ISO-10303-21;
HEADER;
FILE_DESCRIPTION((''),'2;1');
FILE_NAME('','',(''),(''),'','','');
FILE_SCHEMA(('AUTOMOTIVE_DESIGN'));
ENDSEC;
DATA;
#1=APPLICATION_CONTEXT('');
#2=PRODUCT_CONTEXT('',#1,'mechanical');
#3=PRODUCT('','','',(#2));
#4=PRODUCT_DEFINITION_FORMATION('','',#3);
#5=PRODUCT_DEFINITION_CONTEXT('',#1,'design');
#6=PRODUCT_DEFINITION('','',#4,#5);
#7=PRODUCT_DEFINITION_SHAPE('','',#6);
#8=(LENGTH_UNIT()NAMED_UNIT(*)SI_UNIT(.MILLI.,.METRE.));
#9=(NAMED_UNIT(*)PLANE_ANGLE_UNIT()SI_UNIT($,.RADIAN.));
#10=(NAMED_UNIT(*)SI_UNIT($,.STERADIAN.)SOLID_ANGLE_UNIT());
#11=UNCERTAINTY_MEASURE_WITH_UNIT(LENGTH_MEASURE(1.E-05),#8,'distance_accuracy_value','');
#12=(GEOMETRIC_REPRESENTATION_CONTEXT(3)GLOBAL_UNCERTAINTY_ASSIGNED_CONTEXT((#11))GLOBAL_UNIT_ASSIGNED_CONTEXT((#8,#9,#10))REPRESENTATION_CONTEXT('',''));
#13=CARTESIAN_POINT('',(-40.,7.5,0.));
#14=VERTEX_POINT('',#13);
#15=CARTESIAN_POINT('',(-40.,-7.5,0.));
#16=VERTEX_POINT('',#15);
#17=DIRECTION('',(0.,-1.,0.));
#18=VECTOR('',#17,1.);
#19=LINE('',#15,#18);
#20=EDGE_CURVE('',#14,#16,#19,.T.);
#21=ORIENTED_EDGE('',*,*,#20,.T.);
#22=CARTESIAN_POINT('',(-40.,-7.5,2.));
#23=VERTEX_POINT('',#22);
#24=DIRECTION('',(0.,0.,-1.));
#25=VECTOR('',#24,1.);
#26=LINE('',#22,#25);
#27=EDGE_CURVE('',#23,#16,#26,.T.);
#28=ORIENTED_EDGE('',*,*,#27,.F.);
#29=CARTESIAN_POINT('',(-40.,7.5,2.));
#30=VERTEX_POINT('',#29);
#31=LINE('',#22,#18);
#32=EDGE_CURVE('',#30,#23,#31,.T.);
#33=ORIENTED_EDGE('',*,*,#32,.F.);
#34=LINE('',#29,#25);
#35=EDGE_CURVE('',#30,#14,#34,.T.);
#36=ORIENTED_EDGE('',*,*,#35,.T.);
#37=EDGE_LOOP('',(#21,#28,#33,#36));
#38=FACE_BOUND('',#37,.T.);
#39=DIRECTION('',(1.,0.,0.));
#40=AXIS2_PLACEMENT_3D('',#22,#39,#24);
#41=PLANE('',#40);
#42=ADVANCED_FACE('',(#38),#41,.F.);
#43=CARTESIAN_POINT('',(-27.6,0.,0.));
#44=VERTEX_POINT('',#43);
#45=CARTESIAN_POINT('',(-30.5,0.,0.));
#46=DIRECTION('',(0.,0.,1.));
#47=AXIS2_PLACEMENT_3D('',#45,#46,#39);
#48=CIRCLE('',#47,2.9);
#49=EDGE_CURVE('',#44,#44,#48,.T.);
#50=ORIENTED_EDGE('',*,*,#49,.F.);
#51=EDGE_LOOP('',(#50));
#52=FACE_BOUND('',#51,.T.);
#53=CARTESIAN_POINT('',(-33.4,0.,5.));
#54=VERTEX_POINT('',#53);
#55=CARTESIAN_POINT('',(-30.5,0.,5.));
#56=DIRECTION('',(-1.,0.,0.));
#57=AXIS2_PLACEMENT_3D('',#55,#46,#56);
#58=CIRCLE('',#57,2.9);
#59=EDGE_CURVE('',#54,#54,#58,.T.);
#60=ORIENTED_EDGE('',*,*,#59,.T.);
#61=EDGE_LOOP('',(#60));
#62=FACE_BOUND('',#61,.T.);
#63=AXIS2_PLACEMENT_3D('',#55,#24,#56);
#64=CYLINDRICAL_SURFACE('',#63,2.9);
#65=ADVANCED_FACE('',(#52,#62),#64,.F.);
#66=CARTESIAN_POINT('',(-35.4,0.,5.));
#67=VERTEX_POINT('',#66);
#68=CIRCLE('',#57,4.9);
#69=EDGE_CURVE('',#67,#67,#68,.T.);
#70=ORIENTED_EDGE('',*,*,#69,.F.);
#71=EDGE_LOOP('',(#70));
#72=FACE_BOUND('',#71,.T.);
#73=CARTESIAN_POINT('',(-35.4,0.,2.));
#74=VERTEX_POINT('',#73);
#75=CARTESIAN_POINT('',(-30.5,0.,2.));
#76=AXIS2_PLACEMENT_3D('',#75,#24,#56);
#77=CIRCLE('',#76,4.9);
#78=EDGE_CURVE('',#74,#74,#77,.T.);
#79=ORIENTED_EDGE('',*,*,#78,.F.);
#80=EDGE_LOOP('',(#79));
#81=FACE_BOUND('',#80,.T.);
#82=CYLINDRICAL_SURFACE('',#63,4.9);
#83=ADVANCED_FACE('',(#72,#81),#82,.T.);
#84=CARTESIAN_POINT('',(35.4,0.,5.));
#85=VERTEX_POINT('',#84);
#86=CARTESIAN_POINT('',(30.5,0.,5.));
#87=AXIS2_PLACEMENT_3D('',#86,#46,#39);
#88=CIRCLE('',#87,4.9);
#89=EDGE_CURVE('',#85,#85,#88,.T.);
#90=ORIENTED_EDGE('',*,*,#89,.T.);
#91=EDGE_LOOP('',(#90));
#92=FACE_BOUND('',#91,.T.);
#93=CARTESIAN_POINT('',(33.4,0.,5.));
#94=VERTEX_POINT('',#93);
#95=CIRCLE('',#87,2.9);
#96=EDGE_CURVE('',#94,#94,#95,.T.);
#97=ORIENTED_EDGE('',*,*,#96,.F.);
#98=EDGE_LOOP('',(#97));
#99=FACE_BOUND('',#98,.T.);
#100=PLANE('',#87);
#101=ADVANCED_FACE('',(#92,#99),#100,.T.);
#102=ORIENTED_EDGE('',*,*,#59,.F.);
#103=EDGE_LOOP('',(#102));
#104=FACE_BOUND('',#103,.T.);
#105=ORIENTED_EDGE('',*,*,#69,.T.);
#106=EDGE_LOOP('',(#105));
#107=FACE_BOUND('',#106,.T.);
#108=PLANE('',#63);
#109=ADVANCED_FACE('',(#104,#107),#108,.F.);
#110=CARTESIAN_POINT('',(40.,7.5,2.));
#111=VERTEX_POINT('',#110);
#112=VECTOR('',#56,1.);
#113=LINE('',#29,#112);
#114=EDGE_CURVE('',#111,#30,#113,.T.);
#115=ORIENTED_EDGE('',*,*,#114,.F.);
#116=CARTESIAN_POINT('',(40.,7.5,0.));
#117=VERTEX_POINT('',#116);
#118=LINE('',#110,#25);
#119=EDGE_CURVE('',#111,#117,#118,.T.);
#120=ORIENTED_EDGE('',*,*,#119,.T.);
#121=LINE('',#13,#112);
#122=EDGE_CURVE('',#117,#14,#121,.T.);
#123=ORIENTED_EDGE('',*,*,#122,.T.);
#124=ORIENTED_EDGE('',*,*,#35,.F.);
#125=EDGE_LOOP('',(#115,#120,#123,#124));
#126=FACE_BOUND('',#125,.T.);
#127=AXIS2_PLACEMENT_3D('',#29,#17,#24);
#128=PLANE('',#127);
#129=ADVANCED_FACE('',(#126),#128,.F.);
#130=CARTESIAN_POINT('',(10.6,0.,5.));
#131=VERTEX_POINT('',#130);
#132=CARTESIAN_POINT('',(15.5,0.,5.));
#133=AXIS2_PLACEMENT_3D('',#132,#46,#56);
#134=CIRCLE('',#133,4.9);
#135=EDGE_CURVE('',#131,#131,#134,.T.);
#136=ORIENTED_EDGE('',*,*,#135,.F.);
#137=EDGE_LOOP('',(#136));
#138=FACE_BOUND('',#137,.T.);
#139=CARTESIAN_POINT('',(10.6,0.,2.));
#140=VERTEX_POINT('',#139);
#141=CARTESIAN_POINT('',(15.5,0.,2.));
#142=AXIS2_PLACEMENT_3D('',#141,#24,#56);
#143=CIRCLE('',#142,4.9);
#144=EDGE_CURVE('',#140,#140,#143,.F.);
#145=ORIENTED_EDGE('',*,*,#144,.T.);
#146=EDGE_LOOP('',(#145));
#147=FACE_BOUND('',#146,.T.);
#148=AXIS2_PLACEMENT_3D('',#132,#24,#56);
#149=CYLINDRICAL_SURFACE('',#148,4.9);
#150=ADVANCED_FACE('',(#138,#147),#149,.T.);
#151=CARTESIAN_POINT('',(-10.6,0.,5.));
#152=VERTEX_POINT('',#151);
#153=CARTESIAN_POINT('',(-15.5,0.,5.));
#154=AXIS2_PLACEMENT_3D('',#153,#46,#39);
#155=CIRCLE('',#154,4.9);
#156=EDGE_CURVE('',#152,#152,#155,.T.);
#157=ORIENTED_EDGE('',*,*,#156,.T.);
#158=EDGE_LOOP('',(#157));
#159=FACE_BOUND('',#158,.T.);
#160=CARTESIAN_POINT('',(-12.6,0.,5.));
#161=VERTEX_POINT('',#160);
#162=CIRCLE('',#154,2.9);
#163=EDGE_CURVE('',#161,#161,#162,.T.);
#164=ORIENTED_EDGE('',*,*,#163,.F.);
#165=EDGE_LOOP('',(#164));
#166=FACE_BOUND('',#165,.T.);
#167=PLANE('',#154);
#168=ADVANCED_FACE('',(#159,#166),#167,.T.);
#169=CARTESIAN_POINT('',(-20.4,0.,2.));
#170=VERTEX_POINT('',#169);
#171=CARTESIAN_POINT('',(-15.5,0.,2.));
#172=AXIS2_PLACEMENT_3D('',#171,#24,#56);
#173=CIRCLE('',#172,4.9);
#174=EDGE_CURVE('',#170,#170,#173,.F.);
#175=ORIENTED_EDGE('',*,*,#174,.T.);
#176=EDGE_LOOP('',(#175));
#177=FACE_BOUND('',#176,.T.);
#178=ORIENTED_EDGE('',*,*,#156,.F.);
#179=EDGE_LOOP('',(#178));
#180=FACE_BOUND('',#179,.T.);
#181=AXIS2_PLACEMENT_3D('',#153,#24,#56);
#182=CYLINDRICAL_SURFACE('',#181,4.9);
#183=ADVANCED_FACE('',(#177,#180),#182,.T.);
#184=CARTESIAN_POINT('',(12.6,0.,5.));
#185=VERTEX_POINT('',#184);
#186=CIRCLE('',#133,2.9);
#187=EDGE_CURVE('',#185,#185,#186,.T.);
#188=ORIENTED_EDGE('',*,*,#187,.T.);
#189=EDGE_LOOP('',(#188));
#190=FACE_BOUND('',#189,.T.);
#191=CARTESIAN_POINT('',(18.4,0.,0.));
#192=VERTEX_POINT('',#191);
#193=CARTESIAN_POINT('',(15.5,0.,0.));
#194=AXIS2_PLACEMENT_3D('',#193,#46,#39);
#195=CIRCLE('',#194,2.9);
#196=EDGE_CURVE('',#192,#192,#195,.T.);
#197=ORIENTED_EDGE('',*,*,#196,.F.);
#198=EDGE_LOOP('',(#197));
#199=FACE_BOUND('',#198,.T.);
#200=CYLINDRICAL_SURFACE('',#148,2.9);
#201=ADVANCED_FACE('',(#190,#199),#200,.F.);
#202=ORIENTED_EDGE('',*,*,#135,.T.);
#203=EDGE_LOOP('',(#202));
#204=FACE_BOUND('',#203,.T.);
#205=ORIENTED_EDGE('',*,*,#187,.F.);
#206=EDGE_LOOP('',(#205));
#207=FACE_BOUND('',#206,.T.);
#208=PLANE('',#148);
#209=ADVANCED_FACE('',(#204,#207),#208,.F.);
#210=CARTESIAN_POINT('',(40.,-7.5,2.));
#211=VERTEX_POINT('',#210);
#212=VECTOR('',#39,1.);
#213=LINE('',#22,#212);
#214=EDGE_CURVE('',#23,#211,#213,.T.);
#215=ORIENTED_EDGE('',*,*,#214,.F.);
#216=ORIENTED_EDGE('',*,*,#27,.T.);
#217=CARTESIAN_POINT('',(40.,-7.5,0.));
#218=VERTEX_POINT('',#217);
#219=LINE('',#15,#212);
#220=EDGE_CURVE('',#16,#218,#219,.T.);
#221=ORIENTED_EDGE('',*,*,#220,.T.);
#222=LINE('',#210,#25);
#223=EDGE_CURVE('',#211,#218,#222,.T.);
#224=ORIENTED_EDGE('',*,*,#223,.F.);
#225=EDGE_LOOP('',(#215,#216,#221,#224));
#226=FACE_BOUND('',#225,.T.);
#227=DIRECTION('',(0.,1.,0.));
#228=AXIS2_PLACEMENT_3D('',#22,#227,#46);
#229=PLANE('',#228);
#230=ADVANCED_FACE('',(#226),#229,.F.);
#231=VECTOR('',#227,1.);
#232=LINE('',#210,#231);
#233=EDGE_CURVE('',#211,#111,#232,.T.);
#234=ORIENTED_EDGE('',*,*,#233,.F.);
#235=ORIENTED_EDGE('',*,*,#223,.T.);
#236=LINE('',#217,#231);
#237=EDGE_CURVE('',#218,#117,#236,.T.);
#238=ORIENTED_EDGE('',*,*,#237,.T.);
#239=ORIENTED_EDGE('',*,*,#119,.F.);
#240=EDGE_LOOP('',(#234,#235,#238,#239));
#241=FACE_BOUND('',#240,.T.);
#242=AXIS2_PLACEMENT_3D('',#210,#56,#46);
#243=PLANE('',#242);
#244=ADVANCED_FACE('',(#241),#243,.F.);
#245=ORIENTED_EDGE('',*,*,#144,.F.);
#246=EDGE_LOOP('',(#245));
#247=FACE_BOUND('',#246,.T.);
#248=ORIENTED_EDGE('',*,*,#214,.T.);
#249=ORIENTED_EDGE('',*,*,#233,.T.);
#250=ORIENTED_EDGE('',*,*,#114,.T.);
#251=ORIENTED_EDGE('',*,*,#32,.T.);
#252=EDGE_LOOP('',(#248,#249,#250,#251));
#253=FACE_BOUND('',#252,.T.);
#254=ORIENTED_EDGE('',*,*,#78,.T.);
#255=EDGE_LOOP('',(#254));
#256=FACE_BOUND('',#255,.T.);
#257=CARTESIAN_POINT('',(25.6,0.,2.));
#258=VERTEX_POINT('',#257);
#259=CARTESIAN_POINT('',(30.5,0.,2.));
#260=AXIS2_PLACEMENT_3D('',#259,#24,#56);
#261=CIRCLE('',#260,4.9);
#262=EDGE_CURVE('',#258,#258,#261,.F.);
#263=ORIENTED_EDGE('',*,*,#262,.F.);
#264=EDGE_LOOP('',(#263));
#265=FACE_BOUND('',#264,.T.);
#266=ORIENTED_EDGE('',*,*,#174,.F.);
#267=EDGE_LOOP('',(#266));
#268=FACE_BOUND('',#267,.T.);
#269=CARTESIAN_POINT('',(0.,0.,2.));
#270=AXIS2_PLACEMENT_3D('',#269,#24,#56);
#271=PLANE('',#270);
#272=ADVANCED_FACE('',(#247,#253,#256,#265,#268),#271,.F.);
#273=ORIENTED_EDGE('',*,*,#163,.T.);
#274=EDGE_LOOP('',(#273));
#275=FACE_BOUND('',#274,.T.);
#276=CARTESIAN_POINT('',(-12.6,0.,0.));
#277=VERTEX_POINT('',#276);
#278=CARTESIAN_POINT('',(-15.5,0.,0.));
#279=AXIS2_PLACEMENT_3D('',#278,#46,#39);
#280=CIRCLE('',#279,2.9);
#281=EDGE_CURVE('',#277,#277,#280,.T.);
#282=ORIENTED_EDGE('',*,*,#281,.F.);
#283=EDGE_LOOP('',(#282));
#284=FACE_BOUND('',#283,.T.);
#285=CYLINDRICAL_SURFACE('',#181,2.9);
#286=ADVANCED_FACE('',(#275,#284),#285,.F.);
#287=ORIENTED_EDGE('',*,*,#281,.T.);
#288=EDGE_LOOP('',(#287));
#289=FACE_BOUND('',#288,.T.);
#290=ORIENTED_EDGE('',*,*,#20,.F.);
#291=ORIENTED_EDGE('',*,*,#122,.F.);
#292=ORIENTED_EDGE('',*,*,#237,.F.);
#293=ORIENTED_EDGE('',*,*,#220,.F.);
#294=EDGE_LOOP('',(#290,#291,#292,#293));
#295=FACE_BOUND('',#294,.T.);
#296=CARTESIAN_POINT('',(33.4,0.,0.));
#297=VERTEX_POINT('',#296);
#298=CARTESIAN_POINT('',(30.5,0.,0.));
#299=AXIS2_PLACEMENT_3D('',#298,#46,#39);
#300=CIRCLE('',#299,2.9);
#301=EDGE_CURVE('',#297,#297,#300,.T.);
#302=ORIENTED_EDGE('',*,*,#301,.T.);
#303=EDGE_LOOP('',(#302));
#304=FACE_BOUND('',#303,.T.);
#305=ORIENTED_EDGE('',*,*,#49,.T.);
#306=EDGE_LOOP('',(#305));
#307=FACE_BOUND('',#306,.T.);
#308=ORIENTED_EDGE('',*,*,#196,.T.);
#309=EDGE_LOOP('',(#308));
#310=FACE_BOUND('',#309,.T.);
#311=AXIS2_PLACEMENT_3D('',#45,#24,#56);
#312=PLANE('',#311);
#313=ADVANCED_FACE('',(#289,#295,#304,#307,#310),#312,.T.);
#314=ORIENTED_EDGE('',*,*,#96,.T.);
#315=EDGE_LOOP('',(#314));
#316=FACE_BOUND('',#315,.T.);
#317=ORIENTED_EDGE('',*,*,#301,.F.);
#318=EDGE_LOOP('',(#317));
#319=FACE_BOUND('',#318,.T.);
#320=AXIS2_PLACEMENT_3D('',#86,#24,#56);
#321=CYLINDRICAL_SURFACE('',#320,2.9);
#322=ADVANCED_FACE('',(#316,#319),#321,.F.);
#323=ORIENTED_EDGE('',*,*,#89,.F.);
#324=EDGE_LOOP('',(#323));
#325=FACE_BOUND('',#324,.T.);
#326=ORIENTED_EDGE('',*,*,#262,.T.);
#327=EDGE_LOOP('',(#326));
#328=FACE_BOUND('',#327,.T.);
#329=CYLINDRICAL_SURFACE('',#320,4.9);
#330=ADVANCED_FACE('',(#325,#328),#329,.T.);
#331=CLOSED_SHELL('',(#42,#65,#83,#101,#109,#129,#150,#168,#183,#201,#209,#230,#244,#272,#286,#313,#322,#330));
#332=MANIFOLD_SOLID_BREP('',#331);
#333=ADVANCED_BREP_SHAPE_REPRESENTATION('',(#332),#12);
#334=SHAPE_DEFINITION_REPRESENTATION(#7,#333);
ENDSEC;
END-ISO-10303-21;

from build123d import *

# Parameters (mm, degrees)
SKETCH1_R             = 4.9
SKETCH1_R_2           = 2.9
BOSS_EXTRUDE1_DEPTH   = 5
BOSS_EXTRUDE1_2_DEPTH = 5
BOSS_EXTRUDE1_3_DEPTH = 5
BOSS_EXTRUDE1_4_DEPTH = 5
SKETCH3_W             = 80
SKETCH3_H             = 15
BOSS_EXTRUDE2_DEPTH   = 2
SKETCH4_R             = 2.9
CUT_EXTRUDE1_DEPTH    = 42.003048667


with BuildPart() as part:
    # Sketch1 → Boss-Extrude1 (new body)
    with BuildSketch(Plane.XY):
        with Locations((-15.5, 0)):
            Circle(SKETCH1_R)
        with Locations((-15.5, 0)):
            Circle(SKETCH1_R_2, mode=Mode.SUBTRACT)
    extrude(amount=BOSS_EXTRUDE1_DEPTH)



with BuildPart() as body_2:
    # Sketch1 → Boss-Extrude1 2 (new body)
    with BuildSketch(Plane.XY):
        with Locations(Location((-30.5, 0, 0), (0, 0, 180))):
            Circle(SKETCH1_R)
        with Locations(Location((-30.5, 0, 0), (0, 0, 180))):
            Circle(SKETCH1_R_2, mode=Mode.SUBTRACT)
    extrude(amount=BOSS_EXTRUDE1_2_DEPTH)


with BuildPart() as body_3:
    # Sketch1 → Boss-Extrude1 3 (new body)
    with BuildSketch(Plane.XY):
        with Locations(Location((15.5, 0, 0), (0, 0, 180))):
            Circle(SKETCH1_R)
        with Locations(Location((15.5, 0, 0), (0, 0, 180))):
            Circle(SKETCH1_R_2, mode=Mode.SUBTRACT)
    extrude(amount=BOSS_EXTRUDE1_3_DEPTH)


with BuildPart() as body_4:
    # Sketch1 → Boss-Extrude1 4 (new body)
    with BuildSketch(Plane.XY):
        with Locations((30.5, 0)):
            Circle(SKETCH1_R)
        with Locations((30.5, 0)):
            Circle(SKETCH1_R_2, mode=Mode.SUBTRACT)
    extrude(amount=BOSS_EXTRUDE1_4_DEPTH)


with BuildPart() as part_1:
    add(part.part)

    add(body_2.part)  # Boss-Extrude2 merges body 2

    add(body_3.part)  # Boss-Extrude2 merges body 3

    add(body_4.part)  # Boss-Extrude2 merges body 4
    # Sketch3 → Boss-Extrude2 (add)
    with BuildSketch(Plane.XY):
        Rectangle(SKETCH3_W, SKETCH3_H)
    extrude(amount=BOSS_EXTRUDE2_DEPTH)

    # Sketch4 → Cut-Extrude1 (cut, through all)
    with BuildSketch(Plane.XY.offset(5)):
        with Locations(Location((-30.5, 0, 0), (0, 0, 180))):
            Circle(SKETCH4_R)
        with Locations((-15.5, 0)):
            Circle(SKETCH4_R)
        with Locations(Location((15.5, 0, 0), (0, 0, 180))):
            Circle(SKETCH4_R)
        with Locations((30.5, 0)):
            Circle(SKETCH4_R)
    extrude(amount=-CUT_EXTRUDE1_DEPTH, mode=Mode.SUBTRACT)


solid = part_1.part
